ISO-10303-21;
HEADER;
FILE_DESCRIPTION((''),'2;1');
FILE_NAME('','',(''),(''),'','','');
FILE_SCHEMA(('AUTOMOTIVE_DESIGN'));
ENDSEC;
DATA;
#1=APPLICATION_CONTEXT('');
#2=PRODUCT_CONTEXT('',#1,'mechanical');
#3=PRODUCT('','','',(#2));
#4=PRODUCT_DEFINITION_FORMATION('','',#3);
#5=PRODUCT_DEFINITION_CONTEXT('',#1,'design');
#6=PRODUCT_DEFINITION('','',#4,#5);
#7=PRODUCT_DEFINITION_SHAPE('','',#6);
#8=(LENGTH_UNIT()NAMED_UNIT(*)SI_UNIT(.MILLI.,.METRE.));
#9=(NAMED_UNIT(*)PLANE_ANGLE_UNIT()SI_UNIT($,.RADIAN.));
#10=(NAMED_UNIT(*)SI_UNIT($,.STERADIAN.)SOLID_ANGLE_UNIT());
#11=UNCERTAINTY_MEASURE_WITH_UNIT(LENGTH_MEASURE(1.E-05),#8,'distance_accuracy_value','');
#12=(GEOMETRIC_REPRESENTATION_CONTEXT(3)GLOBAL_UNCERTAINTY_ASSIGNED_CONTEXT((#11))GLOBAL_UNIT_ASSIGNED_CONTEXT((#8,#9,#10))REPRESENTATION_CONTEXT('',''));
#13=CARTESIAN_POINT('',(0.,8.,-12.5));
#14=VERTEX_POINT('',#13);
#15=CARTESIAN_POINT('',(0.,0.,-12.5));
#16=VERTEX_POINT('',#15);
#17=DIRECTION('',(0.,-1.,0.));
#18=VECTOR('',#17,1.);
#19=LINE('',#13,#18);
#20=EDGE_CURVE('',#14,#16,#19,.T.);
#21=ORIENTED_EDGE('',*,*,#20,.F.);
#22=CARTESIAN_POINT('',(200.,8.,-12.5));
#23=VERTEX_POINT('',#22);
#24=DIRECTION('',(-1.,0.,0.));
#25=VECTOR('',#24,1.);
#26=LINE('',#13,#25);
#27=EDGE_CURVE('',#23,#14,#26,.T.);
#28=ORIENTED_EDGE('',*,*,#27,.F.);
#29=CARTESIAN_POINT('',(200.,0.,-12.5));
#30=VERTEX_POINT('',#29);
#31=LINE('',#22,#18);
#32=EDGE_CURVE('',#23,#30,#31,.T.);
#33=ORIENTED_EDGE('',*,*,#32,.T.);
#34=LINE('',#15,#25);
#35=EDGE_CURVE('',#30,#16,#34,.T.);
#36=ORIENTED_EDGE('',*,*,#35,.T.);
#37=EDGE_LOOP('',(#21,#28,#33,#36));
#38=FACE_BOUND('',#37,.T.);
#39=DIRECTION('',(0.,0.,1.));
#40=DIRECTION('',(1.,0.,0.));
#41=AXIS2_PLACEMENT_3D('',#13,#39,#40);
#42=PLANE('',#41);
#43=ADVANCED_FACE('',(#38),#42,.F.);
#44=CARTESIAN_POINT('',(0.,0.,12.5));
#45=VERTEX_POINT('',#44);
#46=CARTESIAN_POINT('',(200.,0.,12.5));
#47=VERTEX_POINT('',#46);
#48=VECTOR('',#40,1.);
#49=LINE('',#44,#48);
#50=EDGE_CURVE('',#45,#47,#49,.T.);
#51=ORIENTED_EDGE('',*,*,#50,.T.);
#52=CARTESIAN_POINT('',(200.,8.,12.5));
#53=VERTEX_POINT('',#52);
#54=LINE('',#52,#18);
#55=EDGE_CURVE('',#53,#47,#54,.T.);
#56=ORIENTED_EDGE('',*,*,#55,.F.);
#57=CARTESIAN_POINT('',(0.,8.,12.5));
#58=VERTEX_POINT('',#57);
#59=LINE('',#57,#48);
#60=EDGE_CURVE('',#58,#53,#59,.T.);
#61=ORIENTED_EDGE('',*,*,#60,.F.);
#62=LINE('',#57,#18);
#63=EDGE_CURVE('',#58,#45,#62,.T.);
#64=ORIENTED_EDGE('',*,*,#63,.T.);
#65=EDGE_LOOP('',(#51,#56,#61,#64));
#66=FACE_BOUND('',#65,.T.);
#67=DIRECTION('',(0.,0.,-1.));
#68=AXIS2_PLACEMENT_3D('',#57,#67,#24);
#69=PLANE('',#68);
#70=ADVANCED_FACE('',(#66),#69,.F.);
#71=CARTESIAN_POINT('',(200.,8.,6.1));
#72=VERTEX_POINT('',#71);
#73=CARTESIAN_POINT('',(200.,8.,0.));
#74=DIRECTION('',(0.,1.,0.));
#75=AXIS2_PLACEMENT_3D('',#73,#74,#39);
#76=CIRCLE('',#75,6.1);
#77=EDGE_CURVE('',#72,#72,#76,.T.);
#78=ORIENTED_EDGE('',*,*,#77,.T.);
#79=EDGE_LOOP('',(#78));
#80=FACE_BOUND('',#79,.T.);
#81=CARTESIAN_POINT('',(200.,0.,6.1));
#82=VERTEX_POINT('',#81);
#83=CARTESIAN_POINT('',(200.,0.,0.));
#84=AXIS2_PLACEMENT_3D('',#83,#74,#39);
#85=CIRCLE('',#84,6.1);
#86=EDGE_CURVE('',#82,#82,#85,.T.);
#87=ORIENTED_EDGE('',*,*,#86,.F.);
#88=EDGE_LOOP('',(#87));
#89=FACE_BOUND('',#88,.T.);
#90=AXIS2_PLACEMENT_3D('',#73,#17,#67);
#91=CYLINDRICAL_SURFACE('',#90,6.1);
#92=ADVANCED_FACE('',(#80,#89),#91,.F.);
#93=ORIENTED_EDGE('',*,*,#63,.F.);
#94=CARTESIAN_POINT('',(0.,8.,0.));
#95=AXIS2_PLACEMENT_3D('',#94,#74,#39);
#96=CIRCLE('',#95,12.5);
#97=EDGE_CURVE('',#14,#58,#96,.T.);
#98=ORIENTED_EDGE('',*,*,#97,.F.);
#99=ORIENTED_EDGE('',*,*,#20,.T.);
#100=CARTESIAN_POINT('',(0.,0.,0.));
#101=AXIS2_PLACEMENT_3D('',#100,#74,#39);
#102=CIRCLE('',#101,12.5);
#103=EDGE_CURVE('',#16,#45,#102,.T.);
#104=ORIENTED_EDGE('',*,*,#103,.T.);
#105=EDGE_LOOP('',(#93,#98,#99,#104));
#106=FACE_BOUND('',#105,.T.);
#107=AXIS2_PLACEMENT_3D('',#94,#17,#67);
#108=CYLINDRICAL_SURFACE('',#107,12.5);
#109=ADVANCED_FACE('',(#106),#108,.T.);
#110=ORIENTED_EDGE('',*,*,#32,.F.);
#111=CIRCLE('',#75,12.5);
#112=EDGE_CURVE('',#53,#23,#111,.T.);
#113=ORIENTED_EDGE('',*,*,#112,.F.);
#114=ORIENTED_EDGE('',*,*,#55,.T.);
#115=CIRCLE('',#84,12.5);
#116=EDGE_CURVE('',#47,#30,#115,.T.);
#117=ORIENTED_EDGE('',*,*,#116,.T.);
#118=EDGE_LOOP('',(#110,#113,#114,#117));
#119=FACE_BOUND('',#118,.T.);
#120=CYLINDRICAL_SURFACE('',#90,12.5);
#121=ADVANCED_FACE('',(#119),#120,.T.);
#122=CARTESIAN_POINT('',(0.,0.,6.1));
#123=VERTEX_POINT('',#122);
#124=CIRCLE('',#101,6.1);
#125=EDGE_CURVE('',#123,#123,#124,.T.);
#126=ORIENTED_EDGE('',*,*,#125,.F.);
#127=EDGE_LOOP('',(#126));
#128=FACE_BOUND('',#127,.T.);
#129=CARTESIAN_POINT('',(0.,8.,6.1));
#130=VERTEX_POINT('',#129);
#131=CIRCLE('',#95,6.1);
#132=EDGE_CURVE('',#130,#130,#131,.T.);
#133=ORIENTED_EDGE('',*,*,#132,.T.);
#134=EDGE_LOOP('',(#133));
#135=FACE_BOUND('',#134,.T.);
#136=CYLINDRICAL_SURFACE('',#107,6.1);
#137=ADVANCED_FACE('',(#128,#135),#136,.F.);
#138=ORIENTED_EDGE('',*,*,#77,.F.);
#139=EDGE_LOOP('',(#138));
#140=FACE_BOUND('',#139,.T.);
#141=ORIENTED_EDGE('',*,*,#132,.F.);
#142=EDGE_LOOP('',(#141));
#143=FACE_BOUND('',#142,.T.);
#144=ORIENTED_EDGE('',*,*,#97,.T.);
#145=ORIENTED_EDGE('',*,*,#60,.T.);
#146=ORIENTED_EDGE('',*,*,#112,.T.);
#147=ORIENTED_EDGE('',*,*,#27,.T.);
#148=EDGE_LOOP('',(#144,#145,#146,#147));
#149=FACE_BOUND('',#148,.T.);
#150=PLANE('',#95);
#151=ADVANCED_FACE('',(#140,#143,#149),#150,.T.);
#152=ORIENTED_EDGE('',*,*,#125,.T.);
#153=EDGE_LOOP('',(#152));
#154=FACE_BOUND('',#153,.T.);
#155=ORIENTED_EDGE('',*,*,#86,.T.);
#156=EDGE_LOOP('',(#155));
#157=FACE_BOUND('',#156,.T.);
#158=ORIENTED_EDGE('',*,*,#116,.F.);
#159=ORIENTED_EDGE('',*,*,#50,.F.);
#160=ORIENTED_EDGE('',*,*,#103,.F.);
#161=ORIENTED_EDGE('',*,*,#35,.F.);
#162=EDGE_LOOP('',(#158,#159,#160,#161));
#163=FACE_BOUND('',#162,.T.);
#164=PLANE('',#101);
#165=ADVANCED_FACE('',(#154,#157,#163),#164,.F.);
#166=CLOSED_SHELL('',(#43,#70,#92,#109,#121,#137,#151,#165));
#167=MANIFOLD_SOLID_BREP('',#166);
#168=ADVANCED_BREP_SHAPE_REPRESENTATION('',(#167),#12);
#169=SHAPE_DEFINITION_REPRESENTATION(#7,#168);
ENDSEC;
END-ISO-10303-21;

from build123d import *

# Parameters (mm, degrees)
SKETCH_1_R      = 6.1
EXTRUDE_1_DEPTH = 8


with BuildPart() as part:
    # 草图1 → 凸台-拉伸1 (new body)
    with BuildSketch(Plane(origin=(0, 0, 0), x_dir=(1, 0, 0), z_dir=(0, 1, 0))):
        with BuildLine():
            Line((0, 12.5), (200, 12.5))
            ThreePointArc((200, 12.5), (212.5, 0), (200, -12.5))
            Line((200, -12.5), (0, -12.5))
            ThreePointArc((0, -12.5), (-12.5, 0), (0, 12.5))
        make_face()
        with Locations(Location((0, 0, 0), (0, 0, 270))):
            Circle(SKETCH_1_R, mode=Mode.SUBTRACT)
        with Locations(Location((200, 0, 0), (0, 0, 270))):
            Circle(SKETCH_1_R, mode=Mode.SUBTRACT)
    extrude(amount=EXTRUDE_1_DEPTH)


solid = part.part
